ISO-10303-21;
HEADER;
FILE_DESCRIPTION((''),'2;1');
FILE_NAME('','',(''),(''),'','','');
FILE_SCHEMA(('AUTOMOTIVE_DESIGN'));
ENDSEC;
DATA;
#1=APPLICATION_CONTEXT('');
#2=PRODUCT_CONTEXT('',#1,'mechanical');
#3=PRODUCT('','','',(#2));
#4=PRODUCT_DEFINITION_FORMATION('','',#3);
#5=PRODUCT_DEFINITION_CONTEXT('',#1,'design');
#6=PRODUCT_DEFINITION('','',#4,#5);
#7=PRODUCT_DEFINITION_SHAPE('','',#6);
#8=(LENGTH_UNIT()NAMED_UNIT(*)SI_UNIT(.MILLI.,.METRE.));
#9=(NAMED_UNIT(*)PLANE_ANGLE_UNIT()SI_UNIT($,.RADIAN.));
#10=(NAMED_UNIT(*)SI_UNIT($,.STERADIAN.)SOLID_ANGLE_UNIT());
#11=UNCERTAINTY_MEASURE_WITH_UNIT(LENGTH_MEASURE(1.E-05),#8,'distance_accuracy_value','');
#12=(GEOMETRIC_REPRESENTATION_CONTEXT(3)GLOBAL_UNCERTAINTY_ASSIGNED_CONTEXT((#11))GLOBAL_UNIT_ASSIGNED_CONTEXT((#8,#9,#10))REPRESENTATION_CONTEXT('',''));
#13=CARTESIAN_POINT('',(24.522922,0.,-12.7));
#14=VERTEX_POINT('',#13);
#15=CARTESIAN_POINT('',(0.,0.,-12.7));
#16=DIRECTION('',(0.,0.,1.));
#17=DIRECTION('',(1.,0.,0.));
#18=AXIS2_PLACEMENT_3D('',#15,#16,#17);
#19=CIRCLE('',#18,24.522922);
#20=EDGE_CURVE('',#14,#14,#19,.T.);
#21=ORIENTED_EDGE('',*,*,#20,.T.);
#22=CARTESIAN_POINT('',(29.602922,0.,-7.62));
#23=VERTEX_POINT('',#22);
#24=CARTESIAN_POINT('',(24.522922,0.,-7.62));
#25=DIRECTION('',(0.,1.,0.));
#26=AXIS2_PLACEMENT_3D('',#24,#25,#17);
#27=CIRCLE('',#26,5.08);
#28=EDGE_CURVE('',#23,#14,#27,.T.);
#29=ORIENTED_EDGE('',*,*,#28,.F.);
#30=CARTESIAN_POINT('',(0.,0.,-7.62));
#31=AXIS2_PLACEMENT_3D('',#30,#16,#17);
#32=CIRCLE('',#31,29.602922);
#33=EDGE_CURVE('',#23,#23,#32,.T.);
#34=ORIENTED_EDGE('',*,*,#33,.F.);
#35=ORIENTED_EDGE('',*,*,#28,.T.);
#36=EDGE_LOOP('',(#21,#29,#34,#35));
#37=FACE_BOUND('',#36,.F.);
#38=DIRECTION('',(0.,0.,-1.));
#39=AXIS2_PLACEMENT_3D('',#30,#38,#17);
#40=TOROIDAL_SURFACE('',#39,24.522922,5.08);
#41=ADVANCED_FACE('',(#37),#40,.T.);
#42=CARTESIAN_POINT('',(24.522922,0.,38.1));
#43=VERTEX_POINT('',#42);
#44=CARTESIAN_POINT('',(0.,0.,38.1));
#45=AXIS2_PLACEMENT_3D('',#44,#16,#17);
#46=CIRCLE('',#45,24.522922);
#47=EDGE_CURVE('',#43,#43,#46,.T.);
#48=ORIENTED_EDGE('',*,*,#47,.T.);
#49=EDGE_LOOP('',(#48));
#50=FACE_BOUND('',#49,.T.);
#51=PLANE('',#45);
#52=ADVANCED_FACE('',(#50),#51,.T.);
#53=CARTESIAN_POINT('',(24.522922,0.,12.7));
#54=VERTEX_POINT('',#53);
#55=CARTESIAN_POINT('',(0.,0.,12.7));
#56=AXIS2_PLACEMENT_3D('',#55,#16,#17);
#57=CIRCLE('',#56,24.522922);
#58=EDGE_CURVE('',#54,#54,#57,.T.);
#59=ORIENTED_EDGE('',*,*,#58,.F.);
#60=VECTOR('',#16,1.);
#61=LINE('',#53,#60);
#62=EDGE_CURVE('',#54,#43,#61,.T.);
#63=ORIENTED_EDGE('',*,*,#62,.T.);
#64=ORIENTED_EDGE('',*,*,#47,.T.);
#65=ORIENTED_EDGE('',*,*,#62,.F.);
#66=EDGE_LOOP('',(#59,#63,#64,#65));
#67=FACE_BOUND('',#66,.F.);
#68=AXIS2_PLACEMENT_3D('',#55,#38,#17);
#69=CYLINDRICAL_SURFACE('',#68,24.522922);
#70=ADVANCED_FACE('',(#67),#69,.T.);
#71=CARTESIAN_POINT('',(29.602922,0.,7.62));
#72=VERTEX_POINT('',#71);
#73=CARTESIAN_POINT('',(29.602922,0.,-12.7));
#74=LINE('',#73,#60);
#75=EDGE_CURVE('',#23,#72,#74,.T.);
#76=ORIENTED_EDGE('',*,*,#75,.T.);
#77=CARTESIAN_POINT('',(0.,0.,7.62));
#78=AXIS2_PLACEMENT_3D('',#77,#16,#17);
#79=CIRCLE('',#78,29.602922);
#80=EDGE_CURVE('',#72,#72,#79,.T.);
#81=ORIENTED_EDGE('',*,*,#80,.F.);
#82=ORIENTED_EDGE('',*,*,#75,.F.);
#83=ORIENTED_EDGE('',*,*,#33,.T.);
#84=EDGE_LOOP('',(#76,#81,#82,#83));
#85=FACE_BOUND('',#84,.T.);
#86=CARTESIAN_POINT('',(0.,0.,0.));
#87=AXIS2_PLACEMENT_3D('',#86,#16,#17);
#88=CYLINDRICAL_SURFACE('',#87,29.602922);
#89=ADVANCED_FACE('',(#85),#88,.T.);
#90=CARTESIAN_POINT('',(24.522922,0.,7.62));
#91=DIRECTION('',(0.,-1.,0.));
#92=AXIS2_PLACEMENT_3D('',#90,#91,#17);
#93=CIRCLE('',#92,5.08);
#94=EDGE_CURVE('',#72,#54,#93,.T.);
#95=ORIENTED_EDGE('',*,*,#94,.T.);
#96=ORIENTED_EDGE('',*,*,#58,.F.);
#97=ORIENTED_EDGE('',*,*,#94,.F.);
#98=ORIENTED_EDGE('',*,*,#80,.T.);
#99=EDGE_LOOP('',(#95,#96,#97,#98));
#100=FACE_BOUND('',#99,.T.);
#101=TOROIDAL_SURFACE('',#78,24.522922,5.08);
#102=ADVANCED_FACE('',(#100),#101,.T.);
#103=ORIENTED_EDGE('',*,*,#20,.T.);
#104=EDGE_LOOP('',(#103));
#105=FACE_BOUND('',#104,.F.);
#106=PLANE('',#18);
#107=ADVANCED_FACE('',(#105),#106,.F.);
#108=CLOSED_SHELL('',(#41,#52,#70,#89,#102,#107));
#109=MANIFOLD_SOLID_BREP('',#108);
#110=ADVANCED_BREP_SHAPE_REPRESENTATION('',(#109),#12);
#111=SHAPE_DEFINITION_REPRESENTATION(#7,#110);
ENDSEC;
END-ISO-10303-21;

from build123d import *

# Parameters (mm, degrees)
F0_R     = 29.6029222689
F1_DEPTH = 12.7
F2_R     = 5.08
F3_DEPTH = 25.4


with BuildPart() as f1:
    # F0 (on Top) → F1 (new body, symmetric)
    with BuildSketch(Plane.XY):
        Circle(F0_R)
    extrude(amount=F1_DEPTH, both=True)

    # F2
    f2_edges = [f1.edges().sort_by_distance(p)[0] for p in [
        (-29.602922, 0, 12.7),
        (-29.602922, 0, -12.7),
    ]]
    fillet(f2_edges, radius=F2_R)

    # F3 (add): a face of the model
    f3_faces = [f1.faces().sort_by_distance(p)[0] for p in [
        (0, 0, 12.7),
    ]]
    extrude(f3_faces, amount=F3_DEPTH)


solid = f1.part
